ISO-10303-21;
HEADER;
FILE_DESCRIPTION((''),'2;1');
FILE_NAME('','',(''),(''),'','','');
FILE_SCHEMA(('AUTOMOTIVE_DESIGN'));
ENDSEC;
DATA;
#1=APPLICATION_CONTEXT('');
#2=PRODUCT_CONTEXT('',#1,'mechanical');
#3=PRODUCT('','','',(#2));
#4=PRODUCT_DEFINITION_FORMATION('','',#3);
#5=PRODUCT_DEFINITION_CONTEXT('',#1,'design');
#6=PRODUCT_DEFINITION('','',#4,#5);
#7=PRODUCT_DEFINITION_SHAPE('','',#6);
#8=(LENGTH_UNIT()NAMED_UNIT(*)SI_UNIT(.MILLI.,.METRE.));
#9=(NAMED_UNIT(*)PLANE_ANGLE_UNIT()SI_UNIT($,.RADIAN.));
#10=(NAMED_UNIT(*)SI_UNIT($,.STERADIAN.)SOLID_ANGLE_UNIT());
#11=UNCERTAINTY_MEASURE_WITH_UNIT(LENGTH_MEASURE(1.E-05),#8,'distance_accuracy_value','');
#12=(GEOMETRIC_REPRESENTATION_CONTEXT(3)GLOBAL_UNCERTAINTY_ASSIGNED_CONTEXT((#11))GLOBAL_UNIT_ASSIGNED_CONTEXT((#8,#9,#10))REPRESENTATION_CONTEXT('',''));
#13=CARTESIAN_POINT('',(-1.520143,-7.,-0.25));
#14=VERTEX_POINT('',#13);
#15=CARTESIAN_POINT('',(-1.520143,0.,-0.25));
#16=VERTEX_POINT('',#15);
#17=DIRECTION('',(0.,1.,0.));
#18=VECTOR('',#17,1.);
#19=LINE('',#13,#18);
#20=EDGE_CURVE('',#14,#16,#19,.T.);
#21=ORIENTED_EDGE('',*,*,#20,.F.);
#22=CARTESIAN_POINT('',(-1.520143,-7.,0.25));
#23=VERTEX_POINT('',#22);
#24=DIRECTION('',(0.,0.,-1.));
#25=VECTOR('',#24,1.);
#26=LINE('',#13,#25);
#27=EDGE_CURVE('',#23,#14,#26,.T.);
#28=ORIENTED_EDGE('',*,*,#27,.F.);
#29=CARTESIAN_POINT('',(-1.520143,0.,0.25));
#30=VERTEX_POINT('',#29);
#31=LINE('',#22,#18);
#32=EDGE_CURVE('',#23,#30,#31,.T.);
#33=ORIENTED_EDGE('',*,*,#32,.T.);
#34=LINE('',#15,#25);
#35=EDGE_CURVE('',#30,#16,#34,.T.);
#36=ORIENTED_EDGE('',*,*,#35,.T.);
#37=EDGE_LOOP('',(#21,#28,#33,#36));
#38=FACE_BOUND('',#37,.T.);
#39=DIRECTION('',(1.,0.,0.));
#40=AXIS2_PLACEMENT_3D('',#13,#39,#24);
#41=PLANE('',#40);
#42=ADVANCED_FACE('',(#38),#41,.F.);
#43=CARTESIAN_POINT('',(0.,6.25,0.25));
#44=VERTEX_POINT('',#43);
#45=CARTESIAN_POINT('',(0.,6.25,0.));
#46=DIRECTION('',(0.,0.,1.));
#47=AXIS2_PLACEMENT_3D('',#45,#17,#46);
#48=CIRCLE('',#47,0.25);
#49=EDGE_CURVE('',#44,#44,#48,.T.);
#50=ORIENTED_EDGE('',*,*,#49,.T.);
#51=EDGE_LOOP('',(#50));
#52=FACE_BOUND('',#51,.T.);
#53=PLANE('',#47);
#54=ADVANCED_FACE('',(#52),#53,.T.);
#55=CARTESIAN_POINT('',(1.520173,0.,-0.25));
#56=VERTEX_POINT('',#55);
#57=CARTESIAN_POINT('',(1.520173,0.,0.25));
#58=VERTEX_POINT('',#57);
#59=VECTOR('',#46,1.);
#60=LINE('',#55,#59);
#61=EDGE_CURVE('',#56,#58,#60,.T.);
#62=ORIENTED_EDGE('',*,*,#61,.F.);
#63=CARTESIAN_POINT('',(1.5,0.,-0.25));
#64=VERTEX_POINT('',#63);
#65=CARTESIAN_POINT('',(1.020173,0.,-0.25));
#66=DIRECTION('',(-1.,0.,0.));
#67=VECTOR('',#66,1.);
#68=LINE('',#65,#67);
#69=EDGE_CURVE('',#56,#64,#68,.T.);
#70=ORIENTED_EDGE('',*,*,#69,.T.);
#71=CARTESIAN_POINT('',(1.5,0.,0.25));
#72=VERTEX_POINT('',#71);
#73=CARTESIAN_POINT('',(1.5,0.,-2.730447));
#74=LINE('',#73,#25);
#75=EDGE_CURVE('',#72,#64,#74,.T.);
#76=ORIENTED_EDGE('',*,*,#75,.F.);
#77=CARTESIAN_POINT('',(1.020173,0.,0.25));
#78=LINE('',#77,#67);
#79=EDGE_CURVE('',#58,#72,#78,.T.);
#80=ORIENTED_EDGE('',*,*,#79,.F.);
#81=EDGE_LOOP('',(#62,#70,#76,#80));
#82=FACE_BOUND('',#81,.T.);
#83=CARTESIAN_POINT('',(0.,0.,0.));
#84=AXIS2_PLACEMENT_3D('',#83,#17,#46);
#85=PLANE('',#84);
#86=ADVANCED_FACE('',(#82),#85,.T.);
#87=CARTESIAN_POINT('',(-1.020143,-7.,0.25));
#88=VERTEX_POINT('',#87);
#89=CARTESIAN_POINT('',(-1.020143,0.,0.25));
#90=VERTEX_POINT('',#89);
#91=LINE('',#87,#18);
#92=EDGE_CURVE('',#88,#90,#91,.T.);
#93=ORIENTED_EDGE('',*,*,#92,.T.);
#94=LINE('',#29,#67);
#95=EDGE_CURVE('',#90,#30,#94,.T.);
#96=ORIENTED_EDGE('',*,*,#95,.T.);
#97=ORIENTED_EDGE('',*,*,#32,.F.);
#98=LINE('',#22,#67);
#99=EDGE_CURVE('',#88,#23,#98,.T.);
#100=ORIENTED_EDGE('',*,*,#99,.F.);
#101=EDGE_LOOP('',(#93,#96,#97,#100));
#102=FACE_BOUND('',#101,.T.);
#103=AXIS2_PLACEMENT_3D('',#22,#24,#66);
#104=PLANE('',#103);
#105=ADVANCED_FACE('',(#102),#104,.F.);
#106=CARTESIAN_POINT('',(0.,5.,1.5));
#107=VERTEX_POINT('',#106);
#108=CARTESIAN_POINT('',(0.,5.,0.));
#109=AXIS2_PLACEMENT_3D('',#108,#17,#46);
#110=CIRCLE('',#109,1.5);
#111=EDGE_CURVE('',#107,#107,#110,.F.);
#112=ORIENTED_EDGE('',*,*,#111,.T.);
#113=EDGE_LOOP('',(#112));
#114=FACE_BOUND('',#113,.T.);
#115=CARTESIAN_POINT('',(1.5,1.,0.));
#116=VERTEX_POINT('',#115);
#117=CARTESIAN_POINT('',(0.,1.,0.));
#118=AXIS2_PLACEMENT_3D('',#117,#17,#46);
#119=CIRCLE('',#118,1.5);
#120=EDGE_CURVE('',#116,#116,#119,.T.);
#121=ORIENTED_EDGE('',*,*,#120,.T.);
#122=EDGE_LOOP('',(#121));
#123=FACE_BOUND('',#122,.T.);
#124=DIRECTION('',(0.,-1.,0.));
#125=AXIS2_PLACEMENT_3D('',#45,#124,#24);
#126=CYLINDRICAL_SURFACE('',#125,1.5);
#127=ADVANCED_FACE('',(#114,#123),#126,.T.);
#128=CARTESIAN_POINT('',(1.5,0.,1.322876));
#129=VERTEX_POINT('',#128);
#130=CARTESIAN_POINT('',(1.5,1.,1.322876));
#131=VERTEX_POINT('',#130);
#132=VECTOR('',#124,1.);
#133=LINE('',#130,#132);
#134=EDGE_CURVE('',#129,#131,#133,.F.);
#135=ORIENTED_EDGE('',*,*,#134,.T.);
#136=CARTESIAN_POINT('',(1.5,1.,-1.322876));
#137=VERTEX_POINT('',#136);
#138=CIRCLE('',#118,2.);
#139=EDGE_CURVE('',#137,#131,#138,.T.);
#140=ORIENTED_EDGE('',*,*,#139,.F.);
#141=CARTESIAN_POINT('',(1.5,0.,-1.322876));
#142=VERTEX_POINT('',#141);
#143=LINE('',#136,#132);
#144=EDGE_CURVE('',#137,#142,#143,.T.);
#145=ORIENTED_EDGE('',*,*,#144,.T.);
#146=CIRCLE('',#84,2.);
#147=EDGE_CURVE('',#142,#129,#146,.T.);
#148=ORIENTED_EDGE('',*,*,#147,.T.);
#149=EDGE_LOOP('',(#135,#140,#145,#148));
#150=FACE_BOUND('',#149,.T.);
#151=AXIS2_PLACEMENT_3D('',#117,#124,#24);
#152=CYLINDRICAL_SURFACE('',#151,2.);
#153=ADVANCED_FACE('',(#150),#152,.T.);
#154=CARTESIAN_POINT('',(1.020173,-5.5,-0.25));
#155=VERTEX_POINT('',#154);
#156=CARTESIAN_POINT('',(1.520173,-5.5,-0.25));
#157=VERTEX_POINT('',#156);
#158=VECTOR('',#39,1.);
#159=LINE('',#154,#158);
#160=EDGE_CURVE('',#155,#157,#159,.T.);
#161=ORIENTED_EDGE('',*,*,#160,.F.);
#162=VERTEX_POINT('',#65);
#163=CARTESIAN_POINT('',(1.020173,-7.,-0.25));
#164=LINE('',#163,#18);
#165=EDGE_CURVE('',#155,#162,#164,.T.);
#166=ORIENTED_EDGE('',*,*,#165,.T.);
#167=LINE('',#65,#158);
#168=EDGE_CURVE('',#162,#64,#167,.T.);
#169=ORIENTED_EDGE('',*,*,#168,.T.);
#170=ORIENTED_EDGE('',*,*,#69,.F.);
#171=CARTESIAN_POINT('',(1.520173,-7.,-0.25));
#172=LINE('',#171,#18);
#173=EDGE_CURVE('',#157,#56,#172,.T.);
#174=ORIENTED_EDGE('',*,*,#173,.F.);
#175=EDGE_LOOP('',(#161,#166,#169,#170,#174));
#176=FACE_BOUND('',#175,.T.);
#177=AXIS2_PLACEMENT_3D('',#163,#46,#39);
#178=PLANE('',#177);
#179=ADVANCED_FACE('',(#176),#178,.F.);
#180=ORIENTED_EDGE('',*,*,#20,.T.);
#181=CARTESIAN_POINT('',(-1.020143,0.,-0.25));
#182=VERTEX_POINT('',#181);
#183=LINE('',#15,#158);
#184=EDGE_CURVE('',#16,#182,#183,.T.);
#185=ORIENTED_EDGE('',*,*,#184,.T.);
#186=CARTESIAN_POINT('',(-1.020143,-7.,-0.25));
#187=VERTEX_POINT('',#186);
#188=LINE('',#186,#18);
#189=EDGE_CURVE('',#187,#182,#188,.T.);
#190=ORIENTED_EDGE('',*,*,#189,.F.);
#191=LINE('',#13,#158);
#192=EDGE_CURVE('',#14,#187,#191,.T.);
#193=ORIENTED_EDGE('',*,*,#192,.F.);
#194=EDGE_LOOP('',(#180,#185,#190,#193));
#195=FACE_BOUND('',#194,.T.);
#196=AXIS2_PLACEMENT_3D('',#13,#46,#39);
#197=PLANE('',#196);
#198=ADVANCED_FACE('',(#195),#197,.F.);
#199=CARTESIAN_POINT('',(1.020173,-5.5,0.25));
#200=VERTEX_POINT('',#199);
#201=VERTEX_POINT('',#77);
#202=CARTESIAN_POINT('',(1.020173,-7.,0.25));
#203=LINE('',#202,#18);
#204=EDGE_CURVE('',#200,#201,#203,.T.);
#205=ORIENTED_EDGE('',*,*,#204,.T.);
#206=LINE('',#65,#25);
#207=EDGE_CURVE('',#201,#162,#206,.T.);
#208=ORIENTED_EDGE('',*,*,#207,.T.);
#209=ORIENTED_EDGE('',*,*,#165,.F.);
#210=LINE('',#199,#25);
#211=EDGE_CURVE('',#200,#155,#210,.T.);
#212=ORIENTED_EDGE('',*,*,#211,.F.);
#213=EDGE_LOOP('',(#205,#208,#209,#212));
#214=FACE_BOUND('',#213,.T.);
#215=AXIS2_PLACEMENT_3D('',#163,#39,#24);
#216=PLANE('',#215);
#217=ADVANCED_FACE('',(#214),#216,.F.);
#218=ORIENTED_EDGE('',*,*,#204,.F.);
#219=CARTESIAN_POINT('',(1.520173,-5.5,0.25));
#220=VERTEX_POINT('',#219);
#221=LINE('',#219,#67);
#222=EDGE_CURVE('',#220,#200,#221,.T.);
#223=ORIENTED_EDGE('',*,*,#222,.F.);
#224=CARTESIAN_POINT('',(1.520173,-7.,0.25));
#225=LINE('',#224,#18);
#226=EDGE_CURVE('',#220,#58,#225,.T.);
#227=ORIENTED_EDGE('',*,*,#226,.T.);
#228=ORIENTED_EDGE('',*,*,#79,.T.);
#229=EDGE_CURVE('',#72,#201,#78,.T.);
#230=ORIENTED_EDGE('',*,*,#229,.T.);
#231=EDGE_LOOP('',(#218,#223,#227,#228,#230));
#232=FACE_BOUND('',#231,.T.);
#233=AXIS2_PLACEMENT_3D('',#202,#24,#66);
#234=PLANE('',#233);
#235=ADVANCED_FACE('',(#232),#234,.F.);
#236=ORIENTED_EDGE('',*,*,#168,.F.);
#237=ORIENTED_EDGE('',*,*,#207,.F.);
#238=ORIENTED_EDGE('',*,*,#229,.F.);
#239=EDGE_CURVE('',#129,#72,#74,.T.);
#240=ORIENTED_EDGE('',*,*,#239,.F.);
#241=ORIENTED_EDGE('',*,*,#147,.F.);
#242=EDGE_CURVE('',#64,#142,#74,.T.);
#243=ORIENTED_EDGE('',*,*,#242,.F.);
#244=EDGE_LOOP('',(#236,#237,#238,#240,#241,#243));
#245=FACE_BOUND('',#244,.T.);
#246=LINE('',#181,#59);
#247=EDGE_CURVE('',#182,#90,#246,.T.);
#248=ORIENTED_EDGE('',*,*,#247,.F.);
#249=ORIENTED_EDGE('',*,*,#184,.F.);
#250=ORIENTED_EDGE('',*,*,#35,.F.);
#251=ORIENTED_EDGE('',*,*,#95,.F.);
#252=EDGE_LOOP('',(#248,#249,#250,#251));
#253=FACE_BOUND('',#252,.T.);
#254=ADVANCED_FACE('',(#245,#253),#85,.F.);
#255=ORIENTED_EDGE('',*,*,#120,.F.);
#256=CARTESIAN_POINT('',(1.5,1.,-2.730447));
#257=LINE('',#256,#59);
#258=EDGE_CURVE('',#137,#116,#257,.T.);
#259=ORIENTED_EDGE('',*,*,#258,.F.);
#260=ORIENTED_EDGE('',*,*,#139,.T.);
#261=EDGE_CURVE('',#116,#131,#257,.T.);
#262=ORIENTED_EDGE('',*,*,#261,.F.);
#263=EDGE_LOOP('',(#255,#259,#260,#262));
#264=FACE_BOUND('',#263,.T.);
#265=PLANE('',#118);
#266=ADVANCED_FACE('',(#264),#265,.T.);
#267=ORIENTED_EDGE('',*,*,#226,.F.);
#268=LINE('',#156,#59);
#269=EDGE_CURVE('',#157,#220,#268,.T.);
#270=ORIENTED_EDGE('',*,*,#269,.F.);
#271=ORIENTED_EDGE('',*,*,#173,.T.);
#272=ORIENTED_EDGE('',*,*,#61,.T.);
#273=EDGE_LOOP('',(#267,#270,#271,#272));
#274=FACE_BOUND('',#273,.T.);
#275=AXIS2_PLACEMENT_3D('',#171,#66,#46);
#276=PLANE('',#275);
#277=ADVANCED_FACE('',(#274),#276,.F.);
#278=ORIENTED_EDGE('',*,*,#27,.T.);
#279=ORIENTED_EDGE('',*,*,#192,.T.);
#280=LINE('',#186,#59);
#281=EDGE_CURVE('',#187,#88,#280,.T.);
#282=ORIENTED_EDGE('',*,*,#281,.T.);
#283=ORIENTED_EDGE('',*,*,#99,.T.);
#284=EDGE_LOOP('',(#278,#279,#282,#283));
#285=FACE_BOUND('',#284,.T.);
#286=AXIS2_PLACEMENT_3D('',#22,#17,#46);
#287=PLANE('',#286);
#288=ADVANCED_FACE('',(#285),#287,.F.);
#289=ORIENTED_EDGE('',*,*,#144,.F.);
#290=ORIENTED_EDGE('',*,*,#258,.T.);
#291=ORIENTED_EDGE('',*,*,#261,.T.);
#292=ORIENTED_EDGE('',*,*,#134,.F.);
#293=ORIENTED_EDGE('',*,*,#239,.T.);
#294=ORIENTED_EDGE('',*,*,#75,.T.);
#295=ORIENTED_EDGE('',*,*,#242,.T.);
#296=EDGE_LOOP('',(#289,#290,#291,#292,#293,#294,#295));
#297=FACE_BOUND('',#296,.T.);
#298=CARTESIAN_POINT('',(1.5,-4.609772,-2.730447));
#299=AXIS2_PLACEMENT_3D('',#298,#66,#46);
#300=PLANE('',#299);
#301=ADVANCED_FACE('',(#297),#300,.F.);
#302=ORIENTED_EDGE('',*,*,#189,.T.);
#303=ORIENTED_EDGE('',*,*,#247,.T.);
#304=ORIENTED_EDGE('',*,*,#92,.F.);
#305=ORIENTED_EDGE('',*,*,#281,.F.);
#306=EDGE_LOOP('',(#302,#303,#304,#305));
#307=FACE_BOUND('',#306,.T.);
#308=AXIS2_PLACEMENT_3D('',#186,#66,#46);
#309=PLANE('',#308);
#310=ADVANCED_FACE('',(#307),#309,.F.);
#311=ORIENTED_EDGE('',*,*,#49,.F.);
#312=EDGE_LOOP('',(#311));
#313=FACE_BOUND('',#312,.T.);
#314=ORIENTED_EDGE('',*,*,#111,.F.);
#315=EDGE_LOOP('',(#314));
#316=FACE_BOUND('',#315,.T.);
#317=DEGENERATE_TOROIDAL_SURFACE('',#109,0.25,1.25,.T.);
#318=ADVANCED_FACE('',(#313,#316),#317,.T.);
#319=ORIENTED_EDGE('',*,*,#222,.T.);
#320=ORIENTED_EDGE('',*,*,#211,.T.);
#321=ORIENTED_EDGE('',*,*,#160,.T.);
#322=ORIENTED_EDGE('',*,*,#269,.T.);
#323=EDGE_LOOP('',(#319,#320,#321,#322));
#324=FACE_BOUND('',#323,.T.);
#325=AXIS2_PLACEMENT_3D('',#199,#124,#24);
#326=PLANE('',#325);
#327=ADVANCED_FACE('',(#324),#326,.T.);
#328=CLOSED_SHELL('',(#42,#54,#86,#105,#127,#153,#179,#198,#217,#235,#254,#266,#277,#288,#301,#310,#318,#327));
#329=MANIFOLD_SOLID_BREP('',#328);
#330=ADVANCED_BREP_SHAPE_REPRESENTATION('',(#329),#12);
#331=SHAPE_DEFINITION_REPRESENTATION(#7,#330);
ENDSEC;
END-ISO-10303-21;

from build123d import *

# Parameters (mm, degrees)
CROQUIS1_R           = 2
BASE_DEPTH           = 1
CROQUIS2_R           = 1.5
CUERPO_DEL_LED_DEPTH = 5.25
CROQUIS3_W           = 0.5
CROQUIS3_H           = 0.5
PINES_DEPTH          = 7
CROQUIS4_W           = 0.5
CROQUIS4_H           = 0.5
CORTE_A_CATODO_DEPTH = 1.5
CROQUIS6_W           = 1
CROQUIS6_H           = 4.5
RANURA_DEPTH         = 1
PUNTA_DEL_LED_R      = 1.25


with BuildPart() as part:
    # Croquis1 → Base (new body)
    with BuildSketch(Plane(origin=(0, 0, 0), x_dir=(1, 0, 0), z_dir=(0, 1, 0))):
        with Locations(Location((0, 0, 0), (0, 0, 270))):
            Circle(CROQUIS1_R)
    extrude(amount=BASE_DEPTH)

    # Croquis2 → Cuerpo del LED (add)
    with BuildSketch(Plane(origin=(0, 1, 0), x_dir=(1, 0, 0), z_dir=(0, 1, 0))):
        with Locations(Location((0, 0, 0), (0, 0, 90))):
            Circle(CROQUIS2_R)
    extrude(amount=CUERPO_DEL_LED_DEPTH)

    # Croquis3 → Pines (add)
    with BuildSketch(Plane.XZ):
        with Locations((-1.270142923, 0)):
            Rectangle(CROQUIS3_W, CROQUIS3_H)
        with Locations((1.270172723, 0)):
            Rectangle(CROQUIS3_W, CROQUIS3_H)
    extrude(amount=PINES_DEPTH)

    # Croquis4 → Corte a Catodo (cut)
    with BuildSketch(Plane.XZ.offset(7)):
        with Locations((1.270172723, 0)):
            Rectangle(CROQUIS4_W, CROQUIS4_H)
    extrude(amount=-CORTE_A_CATODO_DEPTH, mode=Mode.SUBTRACT)

    # Croquis6 → Ranura (cut)
    with BuildSketch(Plane(origin=(0, 1, 0), x_dir=(1, 0, 0), z_dir=(0, 1, 0))):
        with Locations((2, 0.48044739)):
            Rectangle(CROQUIS6_W, CROQUIS6_H)
    extrude(amount=-RANURA_DEPTH, mode=Mode.SUBTRACT)

    # Punta del Led
    punta_del_led_edges = [part.edges().sort_by_distance(p)[0] for p in [
        (0, 6.25, 1.5),
    ]]
    fillet(punta_del_led_edges, radius=PUNTA_DEL_LED_R)


solid = part.part
